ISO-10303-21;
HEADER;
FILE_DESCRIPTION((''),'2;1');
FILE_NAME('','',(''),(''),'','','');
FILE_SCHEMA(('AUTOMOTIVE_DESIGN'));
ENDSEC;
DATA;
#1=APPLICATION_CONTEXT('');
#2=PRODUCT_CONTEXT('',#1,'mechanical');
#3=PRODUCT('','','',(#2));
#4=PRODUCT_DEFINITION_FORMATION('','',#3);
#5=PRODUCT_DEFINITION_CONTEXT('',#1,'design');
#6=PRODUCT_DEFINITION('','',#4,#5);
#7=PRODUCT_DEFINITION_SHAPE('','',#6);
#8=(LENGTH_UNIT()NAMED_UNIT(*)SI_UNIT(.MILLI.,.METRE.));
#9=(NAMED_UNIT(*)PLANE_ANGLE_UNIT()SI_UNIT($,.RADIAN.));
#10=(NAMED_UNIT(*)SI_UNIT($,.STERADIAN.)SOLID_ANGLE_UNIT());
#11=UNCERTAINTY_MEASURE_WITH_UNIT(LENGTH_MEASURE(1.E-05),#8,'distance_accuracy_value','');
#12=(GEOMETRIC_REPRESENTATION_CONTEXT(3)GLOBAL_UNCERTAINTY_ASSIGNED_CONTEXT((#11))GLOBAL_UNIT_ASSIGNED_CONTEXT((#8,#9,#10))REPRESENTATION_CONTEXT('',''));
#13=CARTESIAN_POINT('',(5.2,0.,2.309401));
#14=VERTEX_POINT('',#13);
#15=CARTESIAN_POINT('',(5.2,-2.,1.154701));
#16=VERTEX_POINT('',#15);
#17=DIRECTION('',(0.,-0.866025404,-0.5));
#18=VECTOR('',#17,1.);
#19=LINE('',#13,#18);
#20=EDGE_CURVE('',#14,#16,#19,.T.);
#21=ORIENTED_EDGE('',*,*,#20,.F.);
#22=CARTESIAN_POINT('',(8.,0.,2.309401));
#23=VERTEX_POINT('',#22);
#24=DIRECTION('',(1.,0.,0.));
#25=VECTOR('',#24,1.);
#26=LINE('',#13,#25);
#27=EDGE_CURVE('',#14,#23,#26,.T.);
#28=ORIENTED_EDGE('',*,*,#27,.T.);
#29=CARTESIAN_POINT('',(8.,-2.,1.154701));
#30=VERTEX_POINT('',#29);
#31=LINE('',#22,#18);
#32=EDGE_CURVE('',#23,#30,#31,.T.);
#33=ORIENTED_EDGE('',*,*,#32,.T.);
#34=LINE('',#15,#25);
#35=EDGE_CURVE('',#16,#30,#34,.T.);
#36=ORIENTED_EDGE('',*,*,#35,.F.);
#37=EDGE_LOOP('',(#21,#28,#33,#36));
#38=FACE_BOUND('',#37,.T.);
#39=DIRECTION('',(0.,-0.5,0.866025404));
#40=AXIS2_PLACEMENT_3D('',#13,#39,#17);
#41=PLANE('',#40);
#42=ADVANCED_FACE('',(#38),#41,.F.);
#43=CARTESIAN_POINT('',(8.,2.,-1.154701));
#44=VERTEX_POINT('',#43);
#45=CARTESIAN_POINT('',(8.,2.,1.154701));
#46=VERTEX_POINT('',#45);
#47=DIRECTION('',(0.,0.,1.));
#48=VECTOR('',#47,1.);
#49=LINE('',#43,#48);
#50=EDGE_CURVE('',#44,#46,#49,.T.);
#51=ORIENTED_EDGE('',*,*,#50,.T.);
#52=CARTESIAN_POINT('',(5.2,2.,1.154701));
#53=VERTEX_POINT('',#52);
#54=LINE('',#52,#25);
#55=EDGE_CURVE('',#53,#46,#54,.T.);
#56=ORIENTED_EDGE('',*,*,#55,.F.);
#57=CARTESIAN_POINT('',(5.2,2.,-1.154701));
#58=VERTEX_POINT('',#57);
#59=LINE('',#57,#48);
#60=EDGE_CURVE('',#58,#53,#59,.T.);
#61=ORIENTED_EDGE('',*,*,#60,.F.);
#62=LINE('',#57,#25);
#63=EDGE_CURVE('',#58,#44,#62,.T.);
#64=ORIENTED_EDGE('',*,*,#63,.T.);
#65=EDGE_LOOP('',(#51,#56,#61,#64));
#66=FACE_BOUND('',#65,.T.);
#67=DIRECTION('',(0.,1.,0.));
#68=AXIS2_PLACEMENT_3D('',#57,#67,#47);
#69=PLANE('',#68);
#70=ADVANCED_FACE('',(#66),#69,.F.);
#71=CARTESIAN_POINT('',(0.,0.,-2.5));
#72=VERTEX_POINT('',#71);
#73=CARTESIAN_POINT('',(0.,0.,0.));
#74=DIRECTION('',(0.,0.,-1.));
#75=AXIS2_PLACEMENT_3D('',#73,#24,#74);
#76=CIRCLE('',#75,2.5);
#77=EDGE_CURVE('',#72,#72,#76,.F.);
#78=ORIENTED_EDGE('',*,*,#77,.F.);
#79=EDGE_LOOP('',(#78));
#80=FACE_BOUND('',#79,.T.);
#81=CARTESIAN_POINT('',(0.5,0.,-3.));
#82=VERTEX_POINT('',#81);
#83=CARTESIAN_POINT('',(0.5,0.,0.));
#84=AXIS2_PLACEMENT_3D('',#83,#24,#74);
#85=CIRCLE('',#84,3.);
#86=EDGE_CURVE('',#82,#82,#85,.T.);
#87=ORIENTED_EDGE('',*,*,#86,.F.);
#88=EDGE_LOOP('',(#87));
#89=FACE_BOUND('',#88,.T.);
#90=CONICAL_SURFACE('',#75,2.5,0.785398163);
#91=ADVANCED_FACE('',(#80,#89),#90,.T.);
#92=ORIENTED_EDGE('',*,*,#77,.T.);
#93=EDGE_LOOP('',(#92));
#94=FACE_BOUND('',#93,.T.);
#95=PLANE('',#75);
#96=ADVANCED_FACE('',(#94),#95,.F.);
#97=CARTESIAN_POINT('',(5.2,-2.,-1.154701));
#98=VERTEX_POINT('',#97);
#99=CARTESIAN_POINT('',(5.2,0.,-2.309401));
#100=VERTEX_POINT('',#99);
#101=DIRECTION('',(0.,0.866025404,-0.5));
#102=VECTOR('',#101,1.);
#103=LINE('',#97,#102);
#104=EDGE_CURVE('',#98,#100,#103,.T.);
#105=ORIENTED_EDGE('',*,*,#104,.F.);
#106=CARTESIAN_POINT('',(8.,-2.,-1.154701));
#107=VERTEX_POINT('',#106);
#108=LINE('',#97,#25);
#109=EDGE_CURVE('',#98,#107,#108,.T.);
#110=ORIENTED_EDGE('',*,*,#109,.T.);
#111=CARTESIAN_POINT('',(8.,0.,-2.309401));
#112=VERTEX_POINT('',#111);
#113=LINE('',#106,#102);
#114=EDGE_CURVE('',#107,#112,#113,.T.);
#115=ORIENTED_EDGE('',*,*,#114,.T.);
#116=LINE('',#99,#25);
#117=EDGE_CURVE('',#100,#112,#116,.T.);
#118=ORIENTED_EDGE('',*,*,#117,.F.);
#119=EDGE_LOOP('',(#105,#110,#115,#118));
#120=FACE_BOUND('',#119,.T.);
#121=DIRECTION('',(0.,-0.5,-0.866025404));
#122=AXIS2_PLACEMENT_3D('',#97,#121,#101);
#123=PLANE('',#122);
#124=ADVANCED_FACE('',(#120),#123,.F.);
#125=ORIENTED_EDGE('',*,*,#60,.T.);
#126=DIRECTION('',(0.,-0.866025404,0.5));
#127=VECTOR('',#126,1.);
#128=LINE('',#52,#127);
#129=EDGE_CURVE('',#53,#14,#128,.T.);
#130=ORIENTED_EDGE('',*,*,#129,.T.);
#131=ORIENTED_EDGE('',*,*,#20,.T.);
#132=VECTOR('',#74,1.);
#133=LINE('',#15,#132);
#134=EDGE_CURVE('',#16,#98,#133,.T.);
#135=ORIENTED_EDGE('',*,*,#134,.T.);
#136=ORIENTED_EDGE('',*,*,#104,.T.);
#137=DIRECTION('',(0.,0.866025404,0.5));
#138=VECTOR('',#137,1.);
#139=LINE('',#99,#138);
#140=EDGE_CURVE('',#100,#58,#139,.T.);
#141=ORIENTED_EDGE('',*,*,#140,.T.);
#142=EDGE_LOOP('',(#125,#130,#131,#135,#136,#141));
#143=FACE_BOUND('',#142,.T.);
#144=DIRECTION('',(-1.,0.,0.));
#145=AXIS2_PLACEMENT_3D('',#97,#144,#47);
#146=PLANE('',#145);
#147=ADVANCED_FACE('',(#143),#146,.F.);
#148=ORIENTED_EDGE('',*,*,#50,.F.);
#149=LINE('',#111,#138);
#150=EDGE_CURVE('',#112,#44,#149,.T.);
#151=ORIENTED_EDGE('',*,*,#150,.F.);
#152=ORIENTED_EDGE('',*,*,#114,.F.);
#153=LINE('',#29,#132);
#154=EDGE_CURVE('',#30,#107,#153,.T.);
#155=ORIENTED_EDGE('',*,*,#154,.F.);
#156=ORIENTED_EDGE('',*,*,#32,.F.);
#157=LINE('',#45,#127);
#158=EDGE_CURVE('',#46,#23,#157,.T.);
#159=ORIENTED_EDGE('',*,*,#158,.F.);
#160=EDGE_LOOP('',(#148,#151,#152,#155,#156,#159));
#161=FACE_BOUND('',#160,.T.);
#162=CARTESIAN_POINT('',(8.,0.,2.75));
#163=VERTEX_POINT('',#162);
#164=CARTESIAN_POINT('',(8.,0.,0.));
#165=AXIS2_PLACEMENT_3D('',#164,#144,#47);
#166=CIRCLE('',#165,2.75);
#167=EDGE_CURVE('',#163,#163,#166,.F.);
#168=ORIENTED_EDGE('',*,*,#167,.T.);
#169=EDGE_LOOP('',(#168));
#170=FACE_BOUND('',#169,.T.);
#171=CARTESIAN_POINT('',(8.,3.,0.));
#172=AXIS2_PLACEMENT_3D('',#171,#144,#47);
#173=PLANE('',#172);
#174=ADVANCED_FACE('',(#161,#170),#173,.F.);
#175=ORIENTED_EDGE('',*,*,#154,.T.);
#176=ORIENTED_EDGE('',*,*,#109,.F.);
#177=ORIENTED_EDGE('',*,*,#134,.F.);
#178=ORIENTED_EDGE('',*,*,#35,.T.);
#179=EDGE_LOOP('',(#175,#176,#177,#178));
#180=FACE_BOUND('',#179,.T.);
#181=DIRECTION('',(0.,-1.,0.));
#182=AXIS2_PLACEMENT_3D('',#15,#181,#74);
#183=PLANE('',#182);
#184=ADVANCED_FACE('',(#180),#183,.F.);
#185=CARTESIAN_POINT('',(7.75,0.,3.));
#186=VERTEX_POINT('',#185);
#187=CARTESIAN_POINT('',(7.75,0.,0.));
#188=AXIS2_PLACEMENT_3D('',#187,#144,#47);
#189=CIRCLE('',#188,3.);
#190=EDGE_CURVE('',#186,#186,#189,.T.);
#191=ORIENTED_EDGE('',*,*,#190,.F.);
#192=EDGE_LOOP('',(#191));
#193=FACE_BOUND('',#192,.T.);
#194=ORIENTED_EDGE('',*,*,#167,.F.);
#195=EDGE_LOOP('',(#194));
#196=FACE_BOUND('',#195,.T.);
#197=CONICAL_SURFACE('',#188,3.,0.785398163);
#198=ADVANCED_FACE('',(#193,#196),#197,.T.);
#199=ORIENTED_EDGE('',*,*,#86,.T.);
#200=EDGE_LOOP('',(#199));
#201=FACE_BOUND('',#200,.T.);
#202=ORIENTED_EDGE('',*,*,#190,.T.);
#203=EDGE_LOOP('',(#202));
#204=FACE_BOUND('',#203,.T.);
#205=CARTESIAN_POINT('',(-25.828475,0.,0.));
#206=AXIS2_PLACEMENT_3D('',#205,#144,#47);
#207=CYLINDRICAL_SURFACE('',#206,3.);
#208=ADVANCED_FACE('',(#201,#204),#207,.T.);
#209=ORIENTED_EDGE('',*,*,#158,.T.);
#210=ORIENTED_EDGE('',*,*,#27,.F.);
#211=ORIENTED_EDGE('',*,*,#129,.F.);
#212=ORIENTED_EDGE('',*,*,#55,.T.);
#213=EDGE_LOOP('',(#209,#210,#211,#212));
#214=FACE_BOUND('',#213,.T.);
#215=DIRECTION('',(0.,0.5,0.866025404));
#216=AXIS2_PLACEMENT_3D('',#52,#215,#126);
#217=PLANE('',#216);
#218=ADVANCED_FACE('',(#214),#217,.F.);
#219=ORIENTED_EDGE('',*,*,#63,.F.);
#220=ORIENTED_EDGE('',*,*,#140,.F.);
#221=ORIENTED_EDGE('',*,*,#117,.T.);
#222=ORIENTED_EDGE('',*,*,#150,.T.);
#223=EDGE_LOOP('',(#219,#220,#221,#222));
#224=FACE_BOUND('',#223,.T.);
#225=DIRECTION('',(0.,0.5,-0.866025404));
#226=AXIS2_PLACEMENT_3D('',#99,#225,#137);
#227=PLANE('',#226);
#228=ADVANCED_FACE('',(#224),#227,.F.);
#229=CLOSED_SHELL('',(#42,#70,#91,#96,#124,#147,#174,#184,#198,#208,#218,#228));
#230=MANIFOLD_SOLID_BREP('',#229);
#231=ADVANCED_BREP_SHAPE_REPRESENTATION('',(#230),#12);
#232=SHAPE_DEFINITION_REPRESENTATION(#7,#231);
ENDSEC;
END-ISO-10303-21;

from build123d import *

# Parameters (mm, degrees)
ESQUISSE1_W             = 8
ESQUISSE1_H             = 3
CHANFREIN2_SIZE         = 0.5
EMPREINTE_POUR_CL_DEPTH = 2.8
CHANFREIN3_SIZE         = 0.25


with BuildPart() as part:
    # Esquisse1 → Base-Révolution (revolve)
    with BuildSketch(Plane.XY, mode=Mode.PRIVATE) as base_r_volution_sk:
        with Locations((4, 1.5)):
            Rectangle(ESQUISSE1_W, ESQUISSE1_H)
    revolve(base_r_volution_sk.sketch.rotate(Axis((-25.828475034, 0, 0), (1, 0, 0)), 90), axis=Axis((-25.828475034, 0, 0), (1, 0, 0)))

    # Chanfrein2
    chanfrein2_edges = [part.edges().sort_by_distance(p)[0] for p in [
        (0, 0, -3),
    ]]
    chamfer(chanfrein2_edges, length=CHANFREIN2_SIZE)

    # Esquisse2 → Empreinte pour clé (cut)
    with BuildSketch(Plane(origin=(8, 0, 0), x_dir=(0, 0, -1), z_dir=(1, 0, 0))):
        Polygon((2.309401077, 0), (1.154700538, 2), (-1.154700538, 2), (-2.309401077, 0), (-1.154700538, -2), (1.154700538, -2), align=None)
    extrude(amount=-EMPREINTE_POUR_CL_DEPTH, mode=Mode.SUBTRACT)

    # Chanfrein3
    chanfrein3_edges = [part.edges().sort_by_distance(p)[0] for p in [
        (8, 0, -3),
    ]]
    chamfer(chanfrein3_edges, length=CHANFREIN3_SIZE)


solid = part.part
